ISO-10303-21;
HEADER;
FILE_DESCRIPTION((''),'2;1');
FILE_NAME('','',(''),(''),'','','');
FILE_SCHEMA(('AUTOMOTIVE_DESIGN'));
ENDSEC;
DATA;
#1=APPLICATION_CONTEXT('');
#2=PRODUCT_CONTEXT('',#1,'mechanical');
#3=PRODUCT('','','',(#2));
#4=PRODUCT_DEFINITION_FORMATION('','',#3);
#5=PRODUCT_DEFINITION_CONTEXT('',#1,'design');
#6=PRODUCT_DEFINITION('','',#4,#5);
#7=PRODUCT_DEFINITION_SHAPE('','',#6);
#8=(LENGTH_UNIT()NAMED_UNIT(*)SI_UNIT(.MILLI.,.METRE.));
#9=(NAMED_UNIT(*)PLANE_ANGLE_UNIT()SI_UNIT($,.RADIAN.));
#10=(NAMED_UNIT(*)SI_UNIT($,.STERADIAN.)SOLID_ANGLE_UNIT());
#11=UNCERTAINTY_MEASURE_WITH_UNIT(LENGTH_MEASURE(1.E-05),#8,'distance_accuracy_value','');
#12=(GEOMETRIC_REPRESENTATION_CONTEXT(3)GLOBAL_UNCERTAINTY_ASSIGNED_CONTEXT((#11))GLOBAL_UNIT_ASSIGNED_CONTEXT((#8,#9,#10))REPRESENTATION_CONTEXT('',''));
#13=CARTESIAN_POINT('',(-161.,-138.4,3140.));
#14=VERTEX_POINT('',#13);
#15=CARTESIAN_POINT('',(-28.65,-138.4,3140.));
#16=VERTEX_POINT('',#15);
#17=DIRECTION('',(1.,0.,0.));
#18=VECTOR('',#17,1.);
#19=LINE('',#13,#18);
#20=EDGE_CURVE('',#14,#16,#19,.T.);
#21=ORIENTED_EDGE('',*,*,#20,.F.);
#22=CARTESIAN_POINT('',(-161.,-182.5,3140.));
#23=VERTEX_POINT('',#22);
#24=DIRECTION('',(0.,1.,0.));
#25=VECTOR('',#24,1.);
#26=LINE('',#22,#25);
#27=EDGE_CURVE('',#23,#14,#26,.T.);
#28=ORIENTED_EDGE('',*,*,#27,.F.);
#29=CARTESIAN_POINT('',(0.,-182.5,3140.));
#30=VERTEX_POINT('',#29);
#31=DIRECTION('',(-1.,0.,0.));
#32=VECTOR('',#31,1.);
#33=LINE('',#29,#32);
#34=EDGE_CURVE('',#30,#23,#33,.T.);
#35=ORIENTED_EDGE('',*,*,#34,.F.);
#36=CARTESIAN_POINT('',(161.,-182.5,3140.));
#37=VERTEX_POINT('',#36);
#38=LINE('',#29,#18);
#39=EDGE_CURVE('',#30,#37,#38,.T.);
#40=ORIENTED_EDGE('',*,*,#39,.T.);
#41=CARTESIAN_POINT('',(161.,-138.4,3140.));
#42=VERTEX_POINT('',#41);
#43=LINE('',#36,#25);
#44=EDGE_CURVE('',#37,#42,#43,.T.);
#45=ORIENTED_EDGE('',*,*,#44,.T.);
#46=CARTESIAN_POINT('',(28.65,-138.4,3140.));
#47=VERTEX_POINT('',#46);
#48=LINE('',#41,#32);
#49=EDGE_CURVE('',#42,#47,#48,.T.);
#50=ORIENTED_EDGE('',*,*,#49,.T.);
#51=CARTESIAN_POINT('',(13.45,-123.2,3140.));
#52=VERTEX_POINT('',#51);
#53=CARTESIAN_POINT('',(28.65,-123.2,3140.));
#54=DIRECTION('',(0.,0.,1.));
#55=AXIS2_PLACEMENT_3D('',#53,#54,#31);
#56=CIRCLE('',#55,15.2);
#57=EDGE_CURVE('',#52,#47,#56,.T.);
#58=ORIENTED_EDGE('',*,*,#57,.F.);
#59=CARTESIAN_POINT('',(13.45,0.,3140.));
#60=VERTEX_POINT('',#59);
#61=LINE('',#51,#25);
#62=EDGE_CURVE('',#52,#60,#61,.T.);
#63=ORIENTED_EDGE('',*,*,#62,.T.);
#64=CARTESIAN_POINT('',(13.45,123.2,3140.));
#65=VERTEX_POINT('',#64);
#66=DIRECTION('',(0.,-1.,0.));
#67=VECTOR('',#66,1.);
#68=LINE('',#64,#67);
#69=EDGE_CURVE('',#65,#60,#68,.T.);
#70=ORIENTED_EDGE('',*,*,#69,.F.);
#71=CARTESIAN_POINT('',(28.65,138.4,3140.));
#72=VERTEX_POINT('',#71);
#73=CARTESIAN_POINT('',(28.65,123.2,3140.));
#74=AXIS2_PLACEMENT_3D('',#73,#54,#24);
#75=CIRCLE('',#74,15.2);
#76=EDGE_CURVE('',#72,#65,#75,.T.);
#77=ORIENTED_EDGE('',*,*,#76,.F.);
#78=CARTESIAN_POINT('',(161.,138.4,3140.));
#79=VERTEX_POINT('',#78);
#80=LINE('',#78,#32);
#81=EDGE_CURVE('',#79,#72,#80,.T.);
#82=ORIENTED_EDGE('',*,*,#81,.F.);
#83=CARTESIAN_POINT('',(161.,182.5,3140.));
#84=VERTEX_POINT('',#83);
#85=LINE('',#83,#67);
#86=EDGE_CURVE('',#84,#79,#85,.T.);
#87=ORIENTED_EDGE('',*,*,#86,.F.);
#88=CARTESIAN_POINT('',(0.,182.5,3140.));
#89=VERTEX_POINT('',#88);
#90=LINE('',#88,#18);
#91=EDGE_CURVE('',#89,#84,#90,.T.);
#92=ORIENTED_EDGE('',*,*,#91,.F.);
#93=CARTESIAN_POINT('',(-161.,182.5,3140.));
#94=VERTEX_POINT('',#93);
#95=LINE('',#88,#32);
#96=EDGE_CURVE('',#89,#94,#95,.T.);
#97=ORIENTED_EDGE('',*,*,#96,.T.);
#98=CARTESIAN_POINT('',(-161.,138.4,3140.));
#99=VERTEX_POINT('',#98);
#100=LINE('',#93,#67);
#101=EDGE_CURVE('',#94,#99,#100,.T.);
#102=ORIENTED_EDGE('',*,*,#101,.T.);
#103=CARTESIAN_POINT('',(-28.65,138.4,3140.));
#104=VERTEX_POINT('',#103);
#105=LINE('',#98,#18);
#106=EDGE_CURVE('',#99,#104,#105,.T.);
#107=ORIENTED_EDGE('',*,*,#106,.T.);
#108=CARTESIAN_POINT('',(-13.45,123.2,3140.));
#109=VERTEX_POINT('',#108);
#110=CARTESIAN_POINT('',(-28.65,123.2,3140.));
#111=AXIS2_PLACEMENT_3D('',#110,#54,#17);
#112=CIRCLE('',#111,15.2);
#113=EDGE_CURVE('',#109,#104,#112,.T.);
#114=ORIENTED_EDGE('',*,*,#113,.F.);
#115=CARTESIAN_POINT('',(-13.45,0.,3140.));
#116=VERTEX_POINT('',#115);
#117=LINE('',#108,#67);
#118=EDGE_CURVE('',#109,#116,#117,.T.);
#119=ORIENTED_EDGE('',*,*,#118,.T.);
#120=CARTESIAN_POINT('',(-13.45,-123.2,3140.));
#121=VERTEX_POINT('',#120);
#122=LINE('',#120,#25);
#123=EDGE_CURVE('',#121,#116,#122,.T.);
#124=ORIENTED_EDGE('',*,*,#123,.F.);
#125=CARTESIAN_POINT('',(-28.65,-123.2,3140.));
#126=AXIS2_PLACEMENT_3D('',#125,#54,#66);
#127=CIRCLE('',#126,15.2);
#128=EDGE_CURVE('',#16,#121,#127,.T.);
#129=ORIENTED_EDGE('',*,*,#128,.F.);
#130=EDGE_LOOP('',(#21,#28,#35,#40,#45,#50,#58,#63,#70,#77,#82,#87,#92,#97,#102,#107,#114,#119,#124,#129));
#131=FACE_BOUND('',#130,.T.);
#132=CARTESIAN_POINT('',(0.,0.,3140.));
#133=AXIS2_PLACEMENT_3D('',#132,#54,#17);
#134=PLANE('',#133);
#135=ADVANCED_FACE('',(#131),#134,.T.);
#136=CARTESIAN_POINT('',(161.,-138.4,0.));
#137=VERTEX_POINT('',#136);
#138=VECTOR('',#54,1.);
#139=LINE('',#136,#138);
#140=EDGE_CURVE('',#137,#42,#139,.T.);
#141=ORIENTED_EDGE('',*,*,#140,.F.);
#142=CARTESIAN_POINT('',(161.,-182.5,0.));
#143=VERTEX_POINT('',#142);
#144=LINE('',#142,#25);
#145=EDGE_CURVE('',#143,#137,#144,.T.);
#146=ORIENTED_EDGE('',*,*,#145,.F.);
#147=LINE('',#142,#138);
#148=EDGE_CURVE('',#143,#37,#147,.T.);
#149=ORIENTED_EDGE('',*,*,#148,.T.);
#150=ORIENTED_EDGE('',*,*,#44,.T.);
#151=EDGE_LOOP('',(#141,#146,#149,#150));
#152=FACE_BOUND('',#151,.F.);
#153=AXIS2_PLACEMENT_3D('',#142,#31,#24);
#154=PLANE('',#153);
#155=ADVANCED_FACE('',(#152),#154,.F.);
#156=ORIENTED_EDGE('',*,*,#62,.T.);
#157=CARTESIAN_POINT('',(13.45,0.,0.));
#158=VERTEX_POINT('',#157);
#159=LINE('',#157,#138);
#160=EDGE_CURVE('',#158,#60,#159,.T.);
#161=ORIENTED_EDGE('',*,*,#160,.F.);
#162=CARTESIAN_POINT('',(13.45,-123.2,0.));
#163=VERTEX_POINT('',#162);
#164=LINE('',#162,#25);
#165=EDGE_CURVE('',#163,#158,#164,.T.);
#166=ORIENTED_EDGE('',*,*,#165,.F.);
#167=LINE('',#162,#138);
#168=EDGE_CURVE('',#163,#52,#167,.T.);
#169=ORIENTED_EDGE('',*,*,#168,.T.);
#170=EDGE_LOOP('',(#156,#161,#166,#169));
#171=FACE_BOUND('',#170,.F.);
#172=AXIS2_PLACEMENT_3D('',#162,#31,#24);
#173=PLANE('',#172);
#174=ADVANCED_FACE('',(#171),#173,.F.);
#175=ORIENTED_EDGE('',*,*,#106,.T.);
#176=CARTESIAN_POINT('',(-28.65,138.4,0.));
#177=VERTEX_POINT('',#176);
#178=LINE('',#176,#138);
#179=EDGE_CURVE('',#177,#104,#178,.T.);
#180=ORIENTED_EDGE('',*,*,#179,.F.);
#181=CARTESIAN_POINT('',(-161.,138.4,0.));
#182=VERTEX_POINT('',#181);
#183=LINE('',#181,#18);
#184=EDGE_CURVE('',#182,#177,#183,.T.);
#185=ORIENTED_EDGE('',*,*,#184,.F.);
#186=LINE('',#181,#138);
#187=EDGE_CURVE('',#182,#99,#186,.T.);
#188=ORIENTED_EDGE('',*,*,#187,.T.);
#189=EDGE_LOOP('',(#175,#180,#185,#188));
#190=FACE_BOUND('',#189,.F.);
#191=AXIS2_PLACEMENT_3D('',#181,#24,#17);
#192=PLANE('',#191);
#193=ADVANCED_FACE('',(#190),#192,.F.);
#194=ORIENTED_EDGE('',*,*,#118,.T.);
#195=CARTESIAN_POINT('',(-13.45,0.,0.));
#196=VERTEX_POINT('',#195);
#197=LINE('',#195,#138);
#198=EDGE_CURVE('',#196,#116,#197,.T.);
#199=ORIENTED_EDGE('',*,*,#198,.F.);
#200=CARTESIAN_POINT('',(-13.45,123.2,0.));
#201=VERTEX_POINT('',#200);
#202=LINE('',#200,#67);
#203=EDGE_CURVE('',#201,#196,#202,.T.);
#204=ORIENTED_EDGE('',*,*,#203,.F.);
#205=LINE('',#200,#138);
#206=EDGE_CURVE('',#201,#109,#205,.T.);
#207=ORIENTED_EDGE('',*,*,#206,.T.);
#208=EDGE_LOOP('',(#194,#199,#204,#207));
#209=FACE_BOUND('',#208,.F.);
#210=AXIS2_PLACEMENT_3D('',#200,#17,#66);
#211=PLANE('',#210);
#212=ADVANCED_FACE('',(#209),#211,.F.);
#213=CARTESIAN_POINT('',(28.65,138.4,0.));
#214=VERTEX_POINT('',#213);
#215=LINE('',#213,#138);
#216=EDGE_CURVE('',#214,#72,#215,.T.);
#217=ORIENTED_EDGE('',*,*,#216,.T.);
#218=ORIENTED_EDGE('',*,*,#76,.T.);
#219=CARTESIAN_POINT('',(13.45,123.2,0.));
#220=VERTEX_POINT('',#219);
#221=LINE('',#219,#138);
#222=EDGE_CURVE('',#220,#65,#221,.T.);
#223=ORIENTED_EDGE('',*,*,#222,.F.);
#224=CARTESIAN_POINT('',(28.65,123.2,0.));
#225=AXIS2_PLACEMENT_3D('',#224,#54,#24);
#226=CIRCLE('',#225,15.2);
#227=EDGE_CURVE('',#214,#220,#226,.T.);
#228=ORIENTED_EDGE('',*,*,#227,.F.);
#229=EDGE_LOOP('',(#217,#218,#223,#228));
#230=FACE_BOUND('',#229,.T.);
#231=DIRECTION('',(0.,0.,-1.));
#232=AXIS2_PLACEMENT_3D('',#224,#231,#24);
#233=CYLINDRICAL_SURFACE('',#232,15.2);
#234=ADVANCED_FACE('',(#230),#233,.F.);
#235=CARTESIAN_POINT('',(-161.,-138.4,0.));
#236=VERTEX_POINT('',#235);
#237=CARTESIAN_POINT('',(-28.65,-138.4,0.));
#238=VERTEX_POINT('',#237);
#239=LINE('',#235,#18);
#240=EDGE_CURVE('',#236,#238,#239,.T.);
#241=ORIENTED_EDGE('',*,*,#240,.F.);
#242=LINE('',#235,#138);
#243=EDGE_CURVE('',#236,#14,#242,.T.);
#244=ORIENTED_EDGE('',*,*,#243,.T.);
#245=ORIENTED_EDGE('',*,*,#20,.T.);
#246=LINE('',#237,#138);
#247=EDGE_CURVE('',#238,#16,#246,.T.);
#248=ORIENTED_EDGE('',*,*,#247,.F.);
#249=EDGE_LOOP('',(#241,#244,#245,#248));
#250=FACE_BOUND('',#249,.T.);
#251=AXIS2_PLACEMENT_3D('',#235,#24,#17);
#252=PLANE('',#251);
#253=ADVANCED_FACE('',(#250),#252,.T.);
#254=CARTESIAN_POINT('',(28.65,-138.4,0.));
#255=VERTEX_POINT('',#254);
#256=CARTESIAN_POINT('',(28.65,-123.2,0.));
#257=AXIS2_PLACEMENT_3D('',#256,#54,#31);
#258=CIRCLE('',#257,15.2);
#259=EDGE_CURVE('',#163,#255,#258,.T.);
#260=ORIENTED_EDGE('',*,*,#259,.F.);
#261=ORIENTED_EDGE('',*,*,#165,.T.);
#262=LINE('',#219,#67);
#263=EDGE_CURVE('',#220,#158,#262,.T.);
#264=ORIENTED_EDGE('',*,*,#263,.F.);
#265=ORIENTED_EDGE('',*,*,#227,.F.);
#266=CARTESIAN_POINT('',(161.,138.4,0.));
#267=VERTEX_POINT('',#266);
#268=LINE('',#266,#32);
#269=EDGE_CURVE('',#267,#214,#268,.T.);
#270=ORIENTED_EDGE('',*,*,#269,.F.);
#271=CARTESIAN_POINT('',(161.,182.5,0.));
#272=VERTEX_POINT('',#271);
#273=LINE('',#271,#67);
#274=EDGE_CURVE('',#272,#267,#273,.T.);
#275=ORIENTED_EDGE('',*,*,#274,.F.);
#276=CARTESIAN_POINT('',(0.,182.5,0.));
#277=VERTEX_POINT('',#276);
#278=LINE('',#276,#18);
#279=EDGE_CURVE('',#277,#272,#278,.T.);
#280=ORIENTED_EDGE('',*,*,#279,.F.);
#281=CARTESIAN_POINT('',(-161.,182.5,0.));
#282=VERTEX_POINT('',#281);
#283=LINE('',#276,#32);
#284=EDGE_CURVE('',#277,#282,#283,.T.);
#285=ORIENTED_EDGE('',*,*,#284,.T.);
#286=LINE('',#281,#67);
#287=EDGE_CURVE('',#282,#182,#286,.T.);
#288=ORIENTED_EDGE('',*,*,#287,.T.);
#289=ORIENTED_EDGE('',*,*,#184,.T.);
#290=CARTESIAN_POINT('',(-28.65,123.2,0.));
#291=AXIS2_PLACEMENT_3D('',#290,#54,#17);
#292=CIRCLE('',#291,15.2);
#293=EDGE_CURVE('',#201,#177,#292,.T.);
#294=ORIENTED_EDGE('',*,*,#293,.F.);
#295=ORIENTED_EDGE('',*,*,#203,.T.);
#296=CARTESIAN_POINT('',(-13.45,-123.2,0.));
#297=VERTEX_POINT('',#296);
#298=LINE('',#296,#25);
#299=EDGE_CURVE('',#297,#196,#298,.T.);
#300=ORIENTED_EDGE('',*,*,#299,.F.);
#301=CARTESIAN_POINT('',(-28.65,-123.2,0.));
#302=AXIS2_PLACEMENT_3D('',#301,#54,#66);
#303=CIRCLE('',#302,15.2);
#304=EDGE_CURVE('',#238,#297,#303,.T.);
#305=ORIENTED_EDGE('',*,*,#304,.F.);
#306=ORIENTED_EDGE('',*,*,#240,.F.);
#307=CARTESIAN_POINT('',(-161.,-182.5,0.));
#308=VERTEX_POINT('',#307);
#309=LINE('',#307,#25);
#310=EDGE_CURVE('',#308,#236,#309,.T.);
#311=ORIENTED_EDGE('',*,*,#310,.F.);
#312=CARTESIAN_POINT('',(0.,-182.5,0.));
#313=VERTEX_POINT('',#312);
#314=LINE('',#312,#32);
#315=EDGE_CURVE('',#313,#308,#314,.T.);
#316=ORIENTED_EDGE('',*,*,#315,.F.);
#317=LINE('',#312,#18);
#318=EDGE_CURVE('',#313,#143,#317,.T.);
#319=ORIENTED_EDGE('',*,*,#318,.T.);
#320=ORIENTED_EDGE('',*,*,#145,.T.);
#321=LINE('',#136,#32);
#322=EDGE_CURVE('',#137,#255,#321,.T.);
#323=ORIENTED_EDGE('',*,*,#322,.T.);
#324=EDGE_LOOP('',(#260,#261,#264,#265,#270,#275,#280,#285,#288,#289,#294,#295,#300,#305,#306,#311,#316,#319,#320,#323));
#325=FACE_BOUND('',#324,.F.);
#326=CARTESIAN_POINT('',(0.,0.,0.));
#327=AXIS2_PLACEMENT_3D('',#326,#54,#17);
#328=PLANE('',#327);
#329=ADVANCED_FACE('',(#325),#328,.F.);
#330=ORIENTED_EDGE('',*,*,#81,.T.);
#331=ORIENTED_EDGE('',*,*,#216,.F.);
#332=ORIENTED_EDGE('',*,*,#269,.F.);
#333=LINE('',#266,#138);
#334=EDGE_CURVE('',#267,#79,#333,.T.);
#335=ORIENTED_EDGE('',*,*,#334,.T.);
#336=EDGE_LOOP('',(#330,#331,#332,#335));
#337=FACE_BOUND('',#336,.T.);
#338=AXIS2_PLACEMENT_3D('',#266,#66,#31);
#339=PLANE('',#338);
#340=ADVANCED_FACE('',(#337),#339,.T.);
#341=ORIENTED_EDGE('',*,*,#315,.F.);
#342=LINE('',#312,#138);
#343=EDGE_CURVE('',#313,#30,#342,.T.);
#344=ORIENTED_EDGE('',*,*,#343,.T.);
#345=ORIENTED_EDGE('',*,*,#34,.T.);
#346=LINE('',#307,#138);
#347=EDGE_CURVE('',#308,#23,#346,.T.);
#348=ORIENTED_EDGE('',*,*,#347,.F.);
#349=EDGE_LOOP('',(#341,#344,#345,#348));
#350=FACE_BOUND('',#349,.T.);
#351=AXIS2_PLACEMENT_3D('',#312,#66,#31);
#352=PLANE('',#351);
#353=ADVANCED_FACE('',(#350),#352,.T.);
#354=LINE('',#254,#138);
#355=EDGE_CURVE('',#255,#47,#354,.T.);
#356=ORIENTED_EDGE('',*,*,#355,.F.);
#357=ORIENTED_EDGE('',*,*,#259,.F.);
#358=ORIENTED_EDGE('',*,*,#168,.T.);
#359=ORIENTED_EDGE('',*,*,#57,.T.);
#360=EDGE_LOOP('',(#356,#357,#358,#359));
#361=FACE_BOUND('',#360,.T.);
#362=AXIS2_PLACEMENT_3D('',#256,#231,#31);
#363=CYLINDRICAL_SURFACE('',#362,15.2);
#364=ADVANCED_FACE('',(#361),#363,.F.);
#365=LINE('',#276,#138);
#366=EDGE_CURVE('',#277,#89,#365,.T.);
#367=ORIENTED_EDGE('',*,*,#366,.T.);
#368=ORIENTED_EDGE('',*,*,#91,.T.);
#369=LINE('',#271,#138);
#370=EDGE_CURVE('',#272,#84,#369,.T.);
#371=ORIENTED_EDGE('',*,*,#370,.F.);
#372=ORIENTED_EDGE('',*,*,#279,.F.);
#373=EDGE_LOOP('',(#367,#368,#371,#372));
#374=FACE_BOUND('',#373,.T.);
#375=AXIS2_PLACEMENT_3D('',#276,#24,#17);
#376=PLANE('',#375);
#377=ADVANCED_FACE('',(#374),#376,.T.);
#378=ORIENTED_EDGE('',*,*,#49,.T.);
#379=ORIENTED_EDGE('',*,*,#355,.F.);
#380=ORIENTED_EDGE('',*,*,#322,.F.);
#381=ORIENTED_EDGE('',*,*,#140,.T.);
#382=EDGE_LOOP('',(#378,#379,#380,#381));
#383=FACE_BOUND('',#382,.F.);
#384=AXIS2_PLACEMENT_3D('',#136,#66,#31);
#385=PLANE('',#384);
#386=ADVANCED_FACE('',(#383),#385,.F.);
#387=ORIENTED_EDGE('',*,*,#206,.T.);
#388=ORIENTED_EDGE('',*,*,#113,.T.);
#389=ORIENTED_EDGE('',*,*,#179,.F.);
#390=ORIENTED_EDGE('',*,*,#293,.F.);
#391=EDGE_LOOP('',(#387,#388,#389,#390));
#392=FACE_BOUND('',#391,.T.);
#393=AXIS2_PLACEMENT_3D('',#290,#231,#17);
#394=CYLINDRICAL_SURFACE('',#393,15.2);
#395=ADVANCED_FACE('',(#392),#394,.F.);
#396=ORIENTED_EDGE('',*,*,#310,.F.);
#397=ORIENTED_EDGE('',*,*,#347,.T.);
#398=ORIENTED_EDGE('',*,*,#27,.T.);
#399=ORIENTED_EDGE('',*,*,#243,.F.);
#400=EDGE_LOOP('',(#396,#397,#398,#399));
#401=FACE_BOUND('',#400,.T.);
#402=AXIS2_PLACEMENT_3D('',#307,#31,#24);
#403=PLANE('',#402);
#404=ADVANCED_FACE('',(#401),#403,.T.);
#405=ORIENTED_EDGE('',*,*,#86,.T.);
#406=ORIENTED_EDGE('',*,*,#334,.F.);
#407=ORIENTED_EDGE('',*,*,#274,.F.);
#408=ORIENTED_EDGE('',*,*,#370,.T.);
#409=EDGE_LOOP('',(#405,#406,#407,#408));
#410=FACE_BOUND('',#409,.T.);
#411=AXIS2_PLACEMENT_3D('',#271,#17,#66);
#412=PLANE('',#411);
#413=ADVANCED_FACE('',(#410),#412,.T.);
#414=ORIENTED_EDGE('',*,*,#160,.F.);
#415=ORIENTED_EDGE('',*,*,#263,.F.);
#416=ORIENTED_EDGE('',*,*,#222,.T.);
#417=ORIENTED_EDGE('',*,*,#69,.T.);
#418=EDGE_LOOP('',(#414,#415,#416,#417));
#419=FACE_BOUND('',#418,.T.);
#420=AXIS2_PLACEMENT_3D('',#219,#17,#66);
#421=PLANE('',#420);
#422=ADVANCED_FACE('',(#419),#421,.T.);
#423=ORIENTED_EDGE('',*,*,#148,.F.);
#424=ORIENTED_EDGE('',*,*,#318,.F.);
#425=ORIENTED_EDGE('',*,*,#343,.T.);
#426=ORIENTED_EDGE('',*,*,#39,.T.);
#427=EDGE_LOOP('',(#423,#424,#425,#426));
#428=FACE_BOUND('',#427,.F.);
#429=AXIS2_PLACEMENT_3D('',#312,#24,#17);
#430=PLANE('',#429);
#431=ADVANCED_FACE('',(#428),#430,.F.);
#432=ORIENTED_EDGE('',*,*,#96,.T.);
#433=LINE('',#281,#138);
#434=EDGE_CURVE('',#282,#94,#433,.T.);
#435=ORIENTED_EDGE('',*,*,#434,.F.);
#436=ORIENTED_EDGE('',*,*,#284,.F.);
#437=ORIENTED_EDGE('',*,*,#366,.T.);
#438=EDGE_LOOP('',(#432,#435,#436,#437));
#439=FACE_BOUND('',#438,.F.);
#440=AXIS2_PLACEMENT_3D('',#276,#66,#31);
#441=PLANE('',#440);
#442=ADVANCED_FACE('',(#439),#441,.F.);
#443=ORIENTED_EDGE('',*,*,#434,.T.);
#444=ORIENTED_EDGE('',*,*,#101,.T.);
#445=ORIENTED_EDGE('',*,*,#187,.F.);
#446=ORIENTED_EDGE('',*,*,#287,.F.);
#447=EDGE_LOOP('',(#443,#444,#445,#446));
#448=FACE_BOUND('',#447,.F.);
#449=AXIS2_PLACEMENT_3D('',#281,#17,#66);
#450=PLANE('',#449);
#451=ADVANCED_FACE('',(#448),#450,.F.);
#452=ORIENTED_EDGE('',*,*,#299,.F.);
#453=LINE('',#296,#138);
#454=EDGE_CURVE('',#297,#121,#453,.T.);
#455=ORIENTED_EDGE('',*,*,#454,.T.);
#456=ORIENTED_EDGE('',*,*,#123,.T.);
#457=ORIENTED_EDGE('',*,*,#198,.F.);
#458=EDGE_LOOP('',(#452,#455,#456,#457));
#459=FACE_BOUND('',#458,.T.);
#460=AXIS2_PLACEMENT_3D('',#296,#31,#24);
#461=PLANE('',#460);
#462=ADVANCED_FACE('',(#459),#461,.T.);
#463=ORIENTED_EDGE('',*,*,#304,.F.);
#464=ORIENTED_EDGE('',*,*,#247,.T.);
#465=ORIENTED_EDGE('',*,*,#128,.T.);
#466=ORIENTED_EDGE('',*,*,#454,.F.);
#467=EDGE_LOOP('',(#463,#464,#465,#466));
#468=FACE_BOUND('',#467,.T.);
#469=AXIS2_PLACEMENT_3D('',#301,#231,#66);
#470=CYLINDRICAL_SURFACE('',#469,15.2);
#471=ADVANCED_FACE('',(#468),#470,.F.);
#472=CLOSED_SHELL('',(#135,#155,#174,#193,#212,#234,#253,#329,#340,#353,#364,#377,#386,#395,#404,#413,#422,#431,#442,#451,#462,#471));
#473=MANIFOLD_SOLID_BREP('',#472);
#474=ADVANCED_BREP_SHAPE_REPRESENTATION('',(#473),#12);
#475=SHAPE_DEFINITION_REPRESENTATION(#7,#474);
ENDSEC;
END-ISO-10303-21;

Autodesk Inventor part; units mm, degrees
ref_plane "YZ Plane" through (0, 0, 0) normal (1, 0, 0) x (0, 1, 0)
ref_plane "Start plane" through (0, 0, 0) normal (0, 0, 1) x (1, 0, 0)
ref_plane "End plane" through (0, 0, 3140) normal (0, 0, 1) x (1, 0, 0)
sketch "Sketch" plane through (0, 0, 0) normal (0, 0, 1) x (1, 0, 0)
  line L0 (-161, -182.5) -> (-161, -138.4)
  line L1 (-161, -138.4) -> (-28.65, -138.4)
  line L2 (-13.45, -123.2) -> (-13.45, 0)
  line L3 (-13.45, 0) -> (0, 0) construction
  line L4 (0, 0) -> (0, -182.5) construction
  line L5 (0, -182.5) -> (-161, -182.5)
  line L6 (-60, 0) -> (80, 0) construction
  line L7 (0, -60) -> (0, 80) construction
  line L8 (161, -182.5) -> (161, -138.4)
  line L9 (161, -138.4) -> (28.65, -138.4)
  line L10 (13.45, -123.2) -> (13.45, 0)
  line L11 (13.45, 0) -> (0, 0) construction
  line L12 (0, -182.5) -> (161, -182.5)
  line L13 (-161, 182.5) -> (-161, 138.4)
  line L14 (-161, 138.4) -> (-28.65, 138.4)
  line L15 (-13.45, 123.2) -> (-13.45, 0)
  line L16 (0, 182.5) -> (-161, 182.5)
  line L17 (161, 182.5) -> (161, 138.4)
  line L18 (161, 138.4) -> (28.65, 138.4)
  line L19 (0, 182.5) -> (161, 182.5)
  line L20 (13.45, 123.2) -> (13.45, 0)
  arc A0 (-13.45, 123.2) -> (-28.65, 138.4) centre (-28.65, 123.2) ccw
  arc A1 (28.65, 138.4) -> (13.45, 123.2) centre (28.65, 123.2) ccw
  arc A2 (13.45, -123.2) -> (28.65, -138.4) centre (28.65, -123.2) ccw
  arc A3 (-28.65, -138.4) -> (-13.45, -123.2) centre (-28.65, -123.2) ccw
  line L21 (0, 108) -> (0, -88) construction
  line L22 (-88, 0) -> (108, 0) construction
  point P0 (-13.45, -138.4)
  point P1 (13.45, -138.4)
  point P2 (-13.45, 138.4)
  point P3 (13.45, 138.4)
  dimension "d1" = 182.5
  dimension "d2" = 44.1
  dimension "d3" = 161
  dimension "d4" = 13.45
  dimension "d10" = 15.2
extrude "Body" add sketch "Sketch" along normal up to surface (3140 mm away) from surface at 0
sketch "Sketch4" plane through (0, 0, 0) normal (0, 0, 1) x (1, 0, 0)
  line L0 (0, 0) -> (10, 0)
ref_plane "Work Plane3" through (0, 0, 0) normal (0, -1, 0) x (1, 0, 0)
sketch "Sketch5" plane through (0, 0, 0) normal (0, -1, 0) x (1, 0, 0)
  line L0 (-2, 0) -> (12, 0) projected
  line L1 (-2, 3140) -> (12, 3140) projected
  dimension "d14" = 3140
equation "\"d1\" = 0.5 * G_H"
equation "\"d2\" = G_T1"
equation "\"d3\" = 0.5 * G_W"
equation "\"d4\" = 0.5 * G_T"
equation "\"d10\" = G_IR"
equation "\"d5\" = G_L"
equation "\"G_W\" = 322"
equation "\"G_H\" = 365"
equation "\"G_T\" = 26.9"
equation "\"G_T1\" = 44.1"
equation "\"G_IR\" = 15.2"
equation "\"G_L\" = d14"
equation "\"G_OFFSET_START\" = 0"
equation "\"G_OFFSET_END\" = 0"
properties part number "AS 3679 - 310 UC - 283 - 3140" material "Steel, Mild"
